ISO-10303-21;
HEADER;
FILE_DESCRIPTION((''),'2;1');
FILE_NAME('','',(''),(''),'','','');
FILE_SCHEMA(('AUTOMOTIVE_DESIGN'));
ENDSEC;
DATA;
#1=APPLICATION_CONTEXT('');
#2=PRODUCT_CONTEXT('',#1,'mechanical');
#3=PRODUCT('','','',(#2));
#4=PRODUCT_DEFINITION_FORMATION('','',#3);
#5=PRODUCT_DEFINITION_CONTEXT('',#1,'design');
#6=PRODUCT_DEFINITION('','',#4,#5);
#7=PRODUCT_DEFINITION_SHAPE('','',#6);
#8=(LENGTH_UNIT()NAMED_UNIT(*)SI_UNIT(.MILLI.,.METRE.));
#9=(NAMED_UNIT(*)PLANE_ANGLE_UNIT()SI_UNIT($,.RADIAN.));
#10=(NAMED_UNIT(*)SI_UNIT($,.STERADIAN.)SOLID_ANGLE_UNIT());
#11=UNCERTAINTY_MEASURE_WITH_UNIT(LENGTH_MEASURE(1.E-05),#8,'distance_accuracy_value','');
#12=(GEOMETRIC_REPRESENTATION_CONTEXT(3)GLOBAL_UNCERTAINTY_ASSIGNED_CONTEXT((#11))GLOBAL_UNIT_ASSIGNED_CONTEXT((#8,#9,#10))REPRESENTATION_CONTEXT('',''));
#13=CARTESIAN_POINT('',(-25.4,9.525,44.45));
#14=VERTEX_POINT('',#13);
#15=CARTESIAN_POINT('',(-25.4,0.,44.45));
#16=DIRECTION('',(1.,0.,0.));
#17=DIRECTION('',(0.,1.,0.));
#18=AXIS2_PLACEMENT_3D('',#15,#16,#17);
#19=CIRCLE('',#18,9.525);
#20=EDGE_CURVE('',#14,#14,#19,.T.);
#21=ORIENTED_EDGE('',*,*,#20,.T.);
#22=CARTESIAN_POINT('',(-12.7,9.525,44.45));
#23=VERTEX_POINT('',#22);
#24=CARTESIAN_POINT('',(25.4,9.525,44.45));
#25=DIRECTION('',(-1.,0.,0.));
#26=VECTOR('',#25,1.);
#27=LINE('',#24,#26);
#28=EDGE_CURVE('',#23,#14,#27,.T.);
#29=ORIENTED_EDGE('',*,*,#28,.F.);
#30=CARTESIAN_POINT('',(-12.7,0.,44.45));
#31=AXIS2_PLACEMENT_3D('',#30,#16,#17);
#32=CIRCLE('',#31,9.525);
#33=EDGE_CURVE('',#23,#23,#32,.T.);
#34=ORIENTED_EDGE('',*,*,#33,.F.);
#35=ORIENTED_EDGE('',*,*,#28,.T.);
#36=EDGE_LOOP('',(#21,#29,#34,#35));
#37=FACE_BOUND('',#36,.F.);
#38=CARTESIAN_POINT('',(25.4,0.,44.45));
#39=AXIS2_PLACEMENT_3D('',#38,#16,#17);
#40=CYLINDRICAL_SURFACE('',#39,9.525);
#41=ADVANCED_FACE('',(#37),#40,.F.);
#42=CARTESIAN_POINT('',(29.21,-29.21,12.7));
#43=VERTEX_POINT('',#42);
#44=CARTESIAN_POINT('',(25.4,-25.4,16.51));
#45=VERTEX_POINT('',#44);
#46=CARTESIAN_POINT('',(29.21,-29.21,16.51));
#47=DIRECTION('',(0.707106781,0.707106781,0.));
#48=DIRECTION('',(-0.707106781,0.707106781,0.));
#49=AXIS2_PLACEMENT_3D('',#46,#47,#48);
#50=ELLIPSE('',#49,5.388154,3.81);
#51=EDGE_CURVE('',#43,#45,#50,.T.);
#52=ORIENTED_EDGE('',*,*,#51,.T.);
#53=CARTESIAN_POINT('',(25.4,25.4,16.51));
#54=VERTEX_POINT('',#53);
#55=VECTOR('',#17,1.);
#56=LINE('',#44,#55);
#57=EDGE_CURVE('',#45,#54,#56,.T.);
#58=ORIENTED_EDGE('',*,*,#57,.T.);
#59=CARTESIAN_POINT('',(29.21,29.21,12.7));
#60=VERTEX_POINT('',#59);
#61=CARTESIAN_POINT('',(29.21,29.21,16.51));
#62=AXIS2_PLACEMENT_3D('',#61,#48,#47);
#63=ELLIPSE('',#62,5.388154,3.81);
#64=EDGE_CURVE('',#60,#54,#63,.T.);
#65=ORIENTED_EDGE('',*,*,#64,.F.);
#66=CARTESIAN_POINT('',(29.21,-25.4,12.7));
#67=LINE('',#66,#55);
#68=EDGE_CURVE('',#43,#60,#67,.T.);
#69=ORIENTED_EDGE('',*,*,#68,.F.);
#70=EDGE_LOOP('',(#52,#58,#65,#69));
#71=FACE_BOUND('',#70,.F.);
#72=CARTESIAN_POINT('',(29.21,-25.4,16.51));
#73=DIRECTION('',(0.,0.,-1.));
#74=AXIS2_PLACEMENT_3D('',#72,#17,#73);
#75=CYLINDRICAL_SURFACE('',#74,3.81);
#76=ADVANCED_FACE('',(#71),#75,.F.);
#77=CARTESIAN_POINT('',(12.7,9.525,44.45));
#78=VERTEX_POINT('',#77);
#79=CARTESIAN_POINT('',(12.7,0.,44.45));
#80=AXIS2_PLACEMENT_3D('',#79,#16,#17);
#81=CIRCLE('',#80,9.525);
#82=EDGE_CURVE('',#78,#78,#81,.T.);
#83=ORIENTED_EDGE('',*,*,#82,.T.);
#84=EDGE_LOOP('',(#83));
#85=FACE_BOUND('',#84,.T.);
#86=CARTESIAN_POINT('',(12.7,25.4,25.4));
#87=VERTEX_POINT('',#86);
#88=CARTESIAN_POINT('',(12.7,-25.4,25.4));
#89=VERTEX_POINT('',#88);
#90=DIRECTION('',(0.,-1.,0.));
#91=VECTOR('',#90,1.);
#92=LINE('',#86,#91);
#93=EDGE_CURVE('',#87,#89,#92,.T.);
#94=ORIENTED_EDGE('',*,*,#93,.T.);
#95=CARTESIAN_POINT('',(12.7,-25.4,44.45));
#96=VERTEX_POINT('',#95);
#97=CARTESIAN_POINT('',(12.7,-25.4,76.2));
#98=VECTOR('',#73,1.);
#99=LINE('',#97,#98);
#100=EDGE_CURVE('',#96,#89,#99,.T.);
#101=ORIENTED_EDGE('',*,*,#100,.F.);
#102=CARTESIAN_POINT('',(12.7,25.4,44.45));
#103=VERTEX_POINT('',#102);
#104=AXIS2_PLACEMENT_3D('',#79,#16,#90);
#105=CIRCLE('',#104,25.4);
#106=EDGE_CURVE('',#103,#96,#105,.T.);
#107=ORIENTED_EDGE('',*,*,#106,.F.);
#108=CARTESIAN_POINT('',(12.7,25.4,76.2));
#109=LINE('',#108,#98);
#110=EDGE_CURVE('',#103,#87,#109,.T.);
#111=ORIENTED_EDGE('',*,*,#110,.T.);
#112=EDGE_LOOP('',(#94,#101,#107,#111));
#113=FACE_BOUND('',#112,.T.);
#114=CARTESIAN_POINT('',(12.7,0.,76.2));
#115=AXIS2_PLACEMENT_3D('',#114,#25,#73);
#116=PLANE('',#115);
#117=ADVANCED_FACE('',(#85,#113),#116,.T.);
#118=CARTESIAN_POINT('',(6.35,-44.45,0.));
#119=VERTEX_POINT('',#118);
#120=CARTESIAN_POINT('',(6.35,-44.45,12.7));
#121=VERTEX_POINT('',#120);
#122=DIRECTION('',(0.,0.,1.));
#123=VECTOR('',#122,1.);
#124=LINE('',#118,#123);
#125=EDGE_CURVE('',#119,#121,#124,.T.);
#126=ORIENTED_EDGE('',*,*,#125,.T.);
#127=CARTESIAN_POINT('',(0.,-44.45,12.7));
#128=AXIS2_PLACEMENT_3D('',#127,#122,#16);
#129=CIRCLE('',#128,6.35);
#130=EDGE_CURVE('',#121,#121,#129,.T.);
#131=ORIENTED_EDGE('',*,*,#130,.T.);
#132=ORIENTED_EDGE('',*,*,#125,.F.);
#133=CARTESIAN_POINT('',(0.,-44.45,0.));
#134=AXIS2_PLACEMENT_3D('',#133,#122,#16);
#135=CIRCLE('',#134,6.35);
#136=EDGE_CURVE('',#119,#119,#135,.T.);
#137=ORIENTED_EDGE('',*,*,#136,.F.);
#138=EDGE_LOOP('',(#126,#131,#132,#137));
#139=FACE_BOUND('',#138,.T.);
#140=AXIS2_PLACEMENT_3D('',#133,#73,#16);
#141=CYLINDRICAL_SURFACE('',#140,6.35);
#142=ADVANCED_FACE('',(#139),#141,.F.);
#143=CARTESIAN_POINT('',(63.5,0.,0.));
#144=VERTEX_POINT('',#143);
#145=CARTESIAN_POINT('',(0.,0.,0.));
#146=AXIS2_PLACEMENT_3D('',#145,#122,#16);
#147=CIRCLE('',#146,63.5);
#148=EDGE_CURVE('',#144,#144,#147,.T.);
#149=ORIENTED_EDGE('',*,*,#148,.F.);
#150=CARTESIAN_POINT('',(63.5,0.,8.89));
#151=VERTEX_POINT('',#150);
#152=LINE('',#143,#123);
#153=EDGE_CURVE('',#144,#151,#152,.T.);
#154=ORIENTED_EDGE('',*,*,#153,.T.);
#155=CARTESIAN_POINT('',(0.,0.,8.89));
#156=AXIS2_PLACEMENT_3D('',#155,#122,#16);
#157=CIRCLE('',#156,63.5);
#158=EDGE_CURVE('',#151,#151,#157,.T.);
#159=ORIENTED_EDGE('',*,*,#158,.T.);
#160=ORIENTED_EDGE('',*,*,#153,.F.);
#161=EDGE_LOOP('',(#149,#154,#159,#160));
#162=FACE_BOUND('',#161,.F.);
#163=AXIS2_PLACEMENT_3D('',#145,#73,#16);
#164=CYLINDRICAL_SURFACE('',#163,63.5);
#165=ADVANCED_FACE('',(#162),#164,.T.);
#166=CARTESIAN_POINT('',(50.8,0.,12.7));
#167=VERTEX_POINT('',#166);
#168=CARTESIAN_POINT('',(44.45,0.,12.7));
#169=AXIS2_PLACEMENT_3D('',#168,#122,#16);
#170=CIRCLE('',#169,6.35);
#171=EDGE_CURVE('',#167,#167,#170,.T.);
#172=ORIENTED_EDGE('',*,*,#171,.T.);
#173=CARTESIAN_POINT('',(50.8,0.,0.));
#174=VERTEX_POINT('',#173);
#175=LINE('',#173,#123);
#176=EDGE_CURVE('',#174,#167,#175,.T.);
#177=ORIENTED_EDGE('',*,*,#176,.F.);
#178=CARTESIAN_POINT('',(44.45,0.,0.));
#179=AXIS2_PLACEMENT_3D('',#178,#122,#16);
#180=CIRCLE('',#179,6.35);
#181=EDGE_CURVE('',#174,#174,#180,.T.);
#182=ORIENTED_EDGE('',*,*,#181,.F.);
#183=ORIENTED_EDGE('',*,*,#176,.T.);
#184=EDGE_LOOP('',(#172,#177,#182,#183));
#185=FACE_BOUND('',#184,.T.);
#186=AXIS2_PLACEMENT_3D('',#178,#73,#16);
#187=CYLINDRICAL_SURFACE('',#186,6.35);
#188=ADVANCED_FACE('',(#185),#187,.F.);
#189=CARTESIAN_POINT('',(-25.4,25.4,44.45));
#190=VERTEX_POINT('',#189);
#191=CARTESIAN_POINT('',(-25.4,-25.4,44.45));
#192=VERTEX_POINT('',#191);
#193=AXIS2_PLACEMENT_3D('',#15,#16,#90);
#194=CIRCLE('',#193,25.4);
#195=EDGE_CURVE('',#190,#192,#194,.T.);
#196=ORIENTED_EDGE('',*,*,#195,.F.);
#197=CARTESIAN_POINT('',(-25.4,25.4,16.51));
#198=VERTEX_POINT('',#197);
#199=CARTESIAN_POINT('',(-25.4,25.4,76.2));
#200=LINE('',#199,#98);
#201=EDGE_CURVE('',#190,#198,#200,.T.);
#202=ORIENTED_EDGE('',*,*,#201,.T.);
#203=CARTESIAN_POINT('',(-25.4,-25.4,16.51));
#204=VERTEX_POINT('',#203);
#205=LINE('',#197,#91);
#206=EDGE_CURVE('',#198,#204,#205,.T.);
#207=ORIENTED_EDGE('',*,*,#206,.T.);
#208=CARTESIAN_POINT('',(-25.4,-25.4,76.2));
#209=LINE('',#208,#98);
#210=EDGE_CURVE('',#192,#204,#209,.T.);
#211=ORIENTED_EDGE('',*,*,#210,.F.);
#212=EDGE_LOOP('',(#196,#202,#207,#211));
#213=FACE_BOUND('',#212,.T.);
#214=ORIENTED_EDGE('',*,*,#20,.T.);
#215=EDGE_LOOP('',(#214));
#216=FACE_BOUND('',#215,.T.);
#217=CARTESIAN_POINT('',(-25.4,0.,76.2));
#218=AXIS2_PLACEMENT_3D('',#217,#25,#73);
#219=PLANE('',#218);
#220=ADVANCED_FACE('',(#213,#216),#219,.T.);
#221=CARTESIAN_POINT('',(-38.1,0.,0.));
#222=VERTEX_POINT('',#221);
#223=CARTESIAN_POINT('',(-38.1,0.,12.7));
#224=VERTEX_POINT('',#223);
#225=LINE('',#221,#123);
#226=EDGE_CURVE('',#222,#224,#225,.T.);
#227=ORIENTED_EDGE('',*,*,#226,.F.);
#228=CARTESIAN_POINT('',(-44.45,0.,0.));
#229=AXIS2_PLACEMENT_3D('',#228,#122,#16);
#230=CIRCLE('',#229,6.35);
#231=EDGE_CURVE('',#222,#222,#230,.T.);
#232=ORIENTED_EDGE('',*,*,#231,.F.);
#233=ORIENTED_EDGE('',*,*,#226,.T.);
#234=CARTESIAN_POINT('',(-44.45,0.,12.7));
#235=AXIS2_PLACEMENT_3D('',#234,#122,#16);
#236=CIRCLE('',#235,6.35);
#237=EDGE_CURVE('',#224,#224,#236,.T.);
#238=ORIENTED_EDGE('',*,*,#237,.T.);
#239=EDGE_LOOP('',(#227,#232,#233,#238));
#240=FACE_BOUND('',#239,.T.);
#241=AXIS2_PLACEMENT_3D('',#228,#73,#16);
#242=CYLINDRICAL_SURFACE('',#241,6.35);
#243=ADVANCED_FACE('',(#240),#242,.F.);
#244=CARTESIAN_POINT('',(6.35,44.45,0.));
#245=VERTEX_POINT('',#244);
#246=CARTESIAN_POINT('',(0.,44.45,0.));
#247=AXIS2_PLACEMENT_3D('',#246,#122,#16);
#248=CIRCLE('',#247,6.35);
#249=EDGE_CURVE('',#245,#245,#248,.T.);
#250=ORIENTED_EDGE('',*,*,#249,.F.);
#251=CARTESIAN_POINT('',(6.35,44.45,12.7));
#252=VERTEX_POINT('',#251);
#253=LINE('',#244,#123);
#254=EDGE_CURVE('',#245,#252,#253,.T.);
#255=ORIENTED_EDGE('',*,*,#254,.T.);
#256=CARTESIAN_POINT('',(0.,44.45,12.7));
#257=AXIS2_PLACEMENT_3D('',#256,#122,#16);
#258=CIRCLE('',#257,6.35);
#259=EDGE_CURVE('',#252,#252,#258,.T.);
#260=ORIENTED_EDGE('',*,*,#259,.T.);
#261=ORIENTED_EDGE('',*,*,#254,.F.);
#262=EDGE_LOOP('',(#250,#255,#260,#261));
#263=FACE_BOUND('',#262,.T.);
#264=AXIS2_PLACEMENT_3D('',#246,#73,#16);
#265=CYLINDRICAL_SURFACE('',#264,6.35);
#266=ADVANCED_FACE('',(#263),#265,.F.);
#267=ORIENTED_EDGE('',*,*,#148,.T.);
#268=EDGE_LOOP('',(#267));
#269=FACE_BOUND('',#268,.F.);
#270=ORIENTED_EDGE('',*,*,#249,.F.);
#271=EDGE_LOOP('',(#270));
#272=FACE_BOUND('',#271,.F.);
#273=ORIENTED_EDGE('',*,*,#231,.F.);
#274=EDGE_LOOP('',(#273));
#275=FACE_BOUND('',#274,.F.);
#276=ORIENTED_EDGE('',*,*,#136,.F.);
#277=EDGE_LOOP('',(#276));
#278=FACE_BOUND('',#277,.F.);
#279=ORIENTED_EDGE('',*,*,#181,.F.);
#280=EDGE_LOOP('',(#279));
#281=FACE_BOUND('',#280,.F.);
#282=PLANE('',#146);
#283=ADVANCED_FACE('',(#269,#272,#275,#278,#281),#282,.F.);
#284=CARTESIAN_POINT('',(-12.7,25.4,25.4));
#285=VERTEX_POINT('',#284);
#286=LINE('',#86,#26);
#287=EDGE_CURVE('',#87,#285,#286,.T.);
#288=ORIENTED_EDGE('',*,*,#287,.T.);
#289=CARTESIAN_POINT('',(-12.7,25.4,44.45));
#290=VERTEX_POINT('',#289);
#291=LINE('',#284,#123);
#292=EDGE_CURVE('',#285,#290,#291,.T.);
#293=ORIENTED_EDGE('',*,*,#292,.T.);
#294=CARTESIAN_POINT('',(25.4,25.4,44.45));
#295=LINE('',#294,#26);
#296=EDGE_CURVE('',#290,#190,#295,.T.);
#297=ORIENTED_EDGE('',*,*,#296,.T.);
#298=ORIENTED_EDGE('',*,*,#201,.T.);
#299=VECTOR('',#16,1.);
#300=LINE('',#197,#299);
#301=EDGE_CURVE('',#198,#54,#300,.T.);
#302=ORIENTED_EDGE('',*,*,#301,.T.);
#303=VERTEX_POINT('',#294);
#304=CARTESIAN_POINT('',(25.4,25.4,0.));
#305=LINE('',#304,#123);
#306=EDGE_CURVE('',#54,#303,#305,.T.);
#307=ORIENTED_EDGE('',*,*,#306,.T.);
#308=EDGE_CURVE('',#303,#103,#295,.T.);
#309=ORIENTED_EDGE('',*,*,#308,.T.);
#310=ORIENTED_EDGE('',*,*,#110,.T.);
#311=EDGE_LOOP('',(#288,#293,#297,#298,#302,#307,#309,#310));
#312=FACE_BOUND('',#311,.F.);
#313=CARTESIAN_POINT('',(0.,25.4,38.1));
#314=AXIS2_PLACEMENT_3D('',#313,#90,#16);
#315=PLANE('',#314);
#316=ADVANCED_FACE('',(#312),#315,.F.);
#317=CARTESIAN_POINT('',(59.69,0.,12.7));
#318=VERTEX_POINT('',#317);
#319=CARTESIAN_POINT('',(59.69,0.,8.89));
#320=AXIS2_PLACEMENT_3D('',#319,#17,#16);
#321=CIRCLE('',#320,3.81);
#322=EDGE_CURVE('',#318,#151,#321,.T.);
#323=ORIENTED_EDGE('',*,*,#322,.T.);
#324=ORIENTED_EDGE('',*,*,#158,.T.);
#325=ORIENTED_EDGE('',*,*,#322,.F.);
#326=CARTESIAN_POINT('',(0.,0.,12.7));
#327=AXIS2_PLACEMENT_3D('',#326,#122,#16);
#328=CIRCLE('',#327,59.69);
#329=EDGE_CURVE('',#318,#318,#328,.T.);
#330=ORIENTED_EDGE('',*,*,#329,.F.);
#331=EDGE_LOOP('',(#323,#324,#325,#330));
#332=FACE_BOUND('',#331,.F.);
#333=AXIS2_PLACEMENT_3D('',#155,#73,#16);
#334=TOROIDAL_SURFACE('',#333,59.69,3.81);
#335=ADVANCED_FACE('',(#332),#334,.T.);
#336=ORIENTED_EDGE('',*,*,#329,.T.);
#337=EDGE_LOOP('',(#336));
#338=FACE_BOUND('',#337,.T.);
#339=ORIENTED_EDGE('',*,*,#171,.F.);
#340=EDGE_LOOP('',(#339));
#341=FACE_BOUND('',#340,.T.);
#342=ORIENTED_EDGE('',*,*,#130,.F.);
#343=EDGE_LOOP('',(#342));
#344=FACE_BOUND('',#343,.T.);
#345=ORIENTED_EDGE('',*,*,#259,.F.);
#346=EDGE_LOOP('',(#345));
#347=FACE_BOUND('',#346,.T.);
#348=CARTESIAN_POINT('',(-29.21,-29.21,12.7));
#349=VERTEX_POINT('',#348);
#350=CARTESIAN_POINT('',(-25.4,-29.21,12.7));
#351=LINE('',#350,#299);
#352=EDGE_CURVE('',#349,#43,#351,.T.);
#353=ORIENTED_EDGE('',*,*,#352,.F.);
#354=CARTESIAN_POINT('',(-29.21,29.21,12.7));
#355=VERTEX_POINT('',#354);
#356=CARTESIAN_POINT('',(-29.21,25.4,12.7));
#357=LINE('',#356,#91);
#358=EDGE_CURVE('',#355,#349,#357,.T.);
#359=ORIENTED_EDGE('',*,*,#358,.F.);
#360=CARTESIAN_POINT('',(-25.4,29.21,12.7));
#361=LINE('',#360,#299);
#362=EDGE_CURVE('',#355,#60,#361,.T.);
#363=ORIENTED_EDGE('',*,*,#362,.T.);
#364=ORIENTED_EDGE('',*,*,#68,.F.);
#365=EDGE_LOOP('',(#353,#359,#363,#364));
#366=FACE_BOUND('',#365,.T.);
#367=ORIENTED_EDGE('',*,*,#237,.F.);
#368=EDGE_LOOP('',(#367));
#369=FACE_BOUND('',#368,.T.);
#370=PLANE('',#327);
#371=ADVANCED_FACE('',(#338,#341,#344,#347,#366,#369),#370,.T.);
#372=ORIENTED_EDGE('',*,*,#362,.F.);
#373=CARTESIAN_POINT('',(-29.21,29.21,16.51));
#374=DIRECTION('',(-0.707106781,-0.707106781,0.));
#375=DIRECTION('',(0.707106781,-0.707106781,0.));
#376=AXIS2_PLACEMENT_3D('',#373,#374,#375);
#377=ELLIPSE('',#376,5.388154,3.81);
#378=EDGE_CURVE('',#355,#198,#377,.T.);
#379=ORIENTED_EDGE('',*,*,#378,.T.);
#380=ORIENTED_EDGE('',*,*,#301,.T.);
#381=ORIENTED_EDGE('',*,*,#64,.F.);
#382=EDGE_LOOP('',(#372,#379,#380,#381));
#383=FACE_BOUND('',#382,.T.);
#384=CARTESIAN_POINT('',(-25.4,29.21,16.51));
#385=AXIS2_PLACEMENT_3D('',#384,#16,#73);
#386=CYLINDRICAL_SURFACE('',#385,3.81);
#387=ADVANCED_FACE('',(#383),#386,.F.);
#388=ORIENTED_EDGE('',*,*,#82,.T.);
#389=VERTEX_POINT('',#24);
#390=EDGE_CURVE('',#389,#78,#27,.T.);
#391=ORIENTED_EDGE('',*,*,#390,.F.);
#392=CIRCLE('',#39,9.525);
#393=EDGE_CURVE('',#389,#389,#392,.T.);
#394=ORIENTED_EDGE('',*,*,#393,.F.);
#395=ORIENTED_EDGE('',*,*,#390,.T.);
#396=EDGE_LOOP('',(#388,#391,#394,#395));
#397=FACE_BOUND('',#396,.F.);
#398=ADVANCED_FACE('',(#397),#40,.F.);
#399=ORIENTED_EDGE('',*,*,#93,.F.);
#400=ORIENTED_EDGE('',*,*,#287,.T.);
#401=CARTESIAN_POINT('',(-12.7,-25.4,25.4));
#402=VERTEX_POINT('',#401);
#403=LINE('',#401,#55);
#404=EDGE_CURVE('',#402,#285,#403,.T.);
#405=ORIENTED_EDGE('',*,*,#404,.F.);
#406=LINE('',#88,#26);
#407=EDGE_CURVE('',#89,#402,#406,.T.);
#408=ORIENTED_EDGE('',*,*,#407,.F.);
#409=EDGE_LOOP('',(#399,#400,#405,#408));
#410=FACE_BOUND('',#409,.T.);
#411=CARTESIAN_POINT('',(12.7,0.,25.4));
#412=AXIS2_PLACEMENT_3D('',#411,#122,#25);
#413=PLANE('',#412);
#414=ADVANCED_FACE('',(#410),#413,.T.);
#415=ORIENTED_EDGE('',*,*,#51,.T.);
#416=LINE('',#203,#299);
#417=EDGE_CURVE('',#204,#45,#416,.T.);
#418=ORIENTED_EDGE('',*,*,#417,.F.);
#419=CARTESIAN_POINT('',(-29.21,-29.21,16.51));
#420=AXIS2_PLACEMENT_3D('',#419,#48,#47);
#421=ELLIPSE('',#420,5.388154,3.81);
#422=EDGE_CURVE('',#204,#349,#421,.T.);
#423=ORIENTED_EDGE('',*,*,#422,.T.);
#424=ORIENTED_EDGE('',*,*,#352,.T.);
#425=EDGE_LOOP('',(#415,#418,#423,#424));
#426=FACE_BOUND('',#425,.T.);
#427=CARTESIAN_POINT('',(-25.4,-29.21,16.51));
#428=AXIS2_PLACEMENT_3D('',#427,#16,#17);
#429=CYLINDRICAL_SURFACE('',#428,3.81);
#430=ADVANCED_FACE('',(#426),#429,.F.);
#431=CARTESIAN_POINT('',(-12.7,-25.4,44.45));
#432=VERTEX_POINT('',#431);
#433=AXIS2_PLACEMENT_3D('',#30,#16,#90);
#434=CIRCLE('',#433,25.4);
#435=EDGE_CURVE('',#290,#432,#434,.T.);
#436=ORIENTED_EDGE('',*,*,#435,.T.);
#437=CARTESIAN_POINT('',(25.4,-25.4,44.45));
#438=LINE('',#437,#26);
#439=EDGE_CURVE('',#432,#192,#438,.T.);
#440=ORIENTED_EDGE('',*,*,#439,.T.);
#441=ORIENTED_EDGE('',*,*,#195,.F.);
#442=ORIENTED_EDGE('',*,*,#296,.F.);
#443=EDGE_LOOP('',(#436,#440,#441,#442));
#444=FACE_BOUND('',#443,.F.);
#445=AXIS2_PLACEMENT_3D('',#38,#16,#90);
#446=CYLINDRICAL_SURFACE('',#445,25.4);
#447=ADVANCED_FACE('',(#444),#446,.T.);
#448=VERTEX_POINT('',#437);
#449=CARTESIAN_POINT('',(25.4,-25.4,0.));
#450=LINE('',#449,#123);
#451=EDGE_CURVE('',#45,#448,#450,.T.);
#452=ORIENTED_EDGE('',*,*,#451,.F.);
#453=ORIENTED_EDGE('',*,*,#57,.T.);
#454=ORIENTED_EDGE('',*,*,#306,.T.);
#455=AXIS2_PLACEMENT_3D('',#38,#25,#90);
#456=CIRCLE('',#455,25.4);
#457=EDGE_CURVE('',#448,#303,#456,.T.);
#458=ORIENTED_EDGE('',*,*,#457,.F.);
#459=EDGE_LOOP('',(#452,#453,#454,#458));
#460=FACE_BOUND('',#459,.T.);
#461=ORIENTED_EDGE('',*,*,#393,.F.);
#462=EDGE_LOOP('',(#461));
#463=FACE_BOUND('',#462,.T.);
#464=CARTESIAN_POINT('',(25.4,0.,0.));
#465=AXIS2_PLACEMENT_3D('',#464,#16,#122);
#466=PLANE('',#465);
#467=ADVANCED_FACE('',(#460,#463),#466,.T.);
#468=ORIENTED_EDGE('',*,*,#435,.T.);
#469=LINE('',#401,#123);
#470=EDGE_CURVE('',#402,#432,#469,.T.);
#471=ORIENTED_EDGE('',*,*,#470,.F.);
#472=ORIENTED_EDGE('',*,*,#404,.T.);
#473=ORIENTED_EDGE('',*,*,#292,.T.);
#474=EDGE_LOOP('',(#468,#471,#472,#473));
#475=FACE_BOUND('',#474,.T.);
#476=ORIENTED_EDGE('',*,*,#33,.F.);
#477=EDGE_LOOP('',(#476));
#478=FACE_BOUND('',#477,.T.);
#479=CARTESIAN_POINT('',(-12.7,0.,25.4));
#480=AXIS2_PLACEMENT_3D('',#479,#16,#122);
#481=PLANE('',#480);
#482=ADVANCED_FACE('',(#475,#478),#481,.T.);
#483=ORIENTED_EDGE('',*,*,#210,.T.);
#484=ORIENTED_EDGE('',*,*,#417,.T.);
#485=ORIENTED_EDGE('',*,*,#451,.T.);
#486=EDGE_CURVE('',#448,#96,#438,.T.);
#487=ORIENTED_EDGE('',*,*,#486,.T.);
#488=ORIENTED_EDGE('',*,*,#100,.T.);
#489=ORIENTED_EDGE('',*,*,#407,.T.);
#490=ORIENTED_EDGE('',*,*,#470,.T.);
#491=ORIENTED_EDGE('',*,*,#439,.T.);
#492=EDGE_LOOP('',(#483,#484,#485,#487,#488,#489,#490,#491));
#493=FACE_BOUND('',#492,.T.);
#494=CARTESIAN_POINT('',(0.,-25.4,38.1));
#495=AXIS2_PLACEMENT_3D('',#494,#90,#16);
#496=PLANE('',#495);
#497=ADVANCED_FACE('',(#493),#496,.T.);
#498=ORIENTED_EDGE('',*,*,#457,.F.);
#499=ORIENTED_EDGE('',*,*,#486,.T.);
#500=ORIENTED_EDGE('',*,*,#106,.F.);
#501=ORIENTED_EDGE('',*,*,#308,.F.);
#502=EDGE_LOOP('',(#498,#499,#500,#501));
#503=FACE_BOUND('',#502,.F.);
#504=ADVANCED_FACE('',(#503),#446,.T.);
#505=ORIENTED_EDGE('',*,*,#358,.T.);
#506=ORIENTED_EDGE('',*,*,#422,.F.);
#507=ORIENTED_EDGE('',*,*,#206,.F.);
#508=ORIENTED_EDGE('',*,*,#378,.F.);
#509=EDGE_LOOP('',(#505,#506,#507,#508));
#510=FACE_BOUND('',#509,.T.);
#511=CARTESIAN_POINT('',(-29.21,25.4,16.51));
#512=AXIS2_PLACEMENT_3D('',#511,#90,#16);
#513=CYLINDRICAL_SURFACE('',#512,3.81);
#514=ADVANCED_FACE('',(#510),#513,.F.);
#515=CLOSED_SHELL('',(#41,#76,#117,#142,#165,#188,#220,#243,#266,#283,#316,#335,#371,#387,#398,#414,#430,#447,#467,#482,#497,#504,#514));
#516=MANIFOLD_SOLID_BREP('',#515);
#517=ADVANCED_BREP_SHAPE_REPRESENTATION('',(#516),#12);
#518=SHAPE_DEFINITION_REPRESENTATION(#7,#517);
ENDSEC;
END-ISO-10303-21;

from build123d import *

# Parameters (mm, degrees)
F0_R     = 63.5
F0_R_2   = 6.35
F1_DEPTH = 12.7
F3_DEPTH = 25.4
F5_DEPTH = 88.901
F4_R     = 9.525
F6_DEPTH = 88.901
F7_R     = 3.81


with BuildPart() as f1:
    # F0 (on Top) → F1 (new body)
    with BuildSketch(Plane.XY):
        Circle(F0_R)
        with Locations((0, -44.45)):
            Circle(F0_R_2, mode=Mode.SUBTRACT)
        with Locations((-44.45, 0)):
            Circle(F0_R_2, mode=Mode.SUBTRACT)
        with Locations((44.45, 0)):
            Circle(F0_R_2, mode=Mode.SUBTRACT)
        with Locations((0, 44.45)):
            Circle(F0_R_2, mode=Mode.SUBTRACT)
    extrude(amount=F1_DEPTH)

    # F2 (on Front) → F3 (join, symmetric)
    with BuildSketch(Plane.XZ):
        Polygon((-25.4, 76.2), (-25.4, 0), (25.4, 0), (25.4, 76.2), (12.7, 76.2), (12.7, 25.4), (-12.7, 25.4), (-12.7, 76.2), align=None)
    extrude(amount=F3_DEPTH, both=True)

    # F4 (on face) → F5 (cut, through all)
    with BuildSketch(Plane.YZ.offset(25.4)):
        with BuildLine():
            ThreePointArc((-25.4, 44.45), (0, 69.85), (25.4, 44.45))
            Line((25.4, 44.45), (25.4, 76.2))
            Line((25.4, 76.2), (-25.4, 76.2))
            Line((-25.4, 76.2), (-25.4, 44.45))
        make_face()
    extrude(amount=-F5_DEPTH, mode=Mode.SUBTRACT)

    # F4 (on face) → F6 (cut, through all)
    with BuildSketch(Plane.YZ.offset(25.4)):
        with Locations((0, 44.45)):
            Circle(F4_R)
    extrude(amount=-F6_DEPTH, mode=Mode.SUBTRACT)

    # F7
    f7_edges = [f1.edges().sort_by_distance(p)[0] for p in [
        (-63.5, 0, 12.7),
        (25.4, 0, 12.7),
        (0, -25.4, 12.7),
        (0, 25.4, 12.7),
        (-25.4, 0, 12.7),
    ]]
    fillet(f7_edges, radius=F7_R)


solid = f1.part
